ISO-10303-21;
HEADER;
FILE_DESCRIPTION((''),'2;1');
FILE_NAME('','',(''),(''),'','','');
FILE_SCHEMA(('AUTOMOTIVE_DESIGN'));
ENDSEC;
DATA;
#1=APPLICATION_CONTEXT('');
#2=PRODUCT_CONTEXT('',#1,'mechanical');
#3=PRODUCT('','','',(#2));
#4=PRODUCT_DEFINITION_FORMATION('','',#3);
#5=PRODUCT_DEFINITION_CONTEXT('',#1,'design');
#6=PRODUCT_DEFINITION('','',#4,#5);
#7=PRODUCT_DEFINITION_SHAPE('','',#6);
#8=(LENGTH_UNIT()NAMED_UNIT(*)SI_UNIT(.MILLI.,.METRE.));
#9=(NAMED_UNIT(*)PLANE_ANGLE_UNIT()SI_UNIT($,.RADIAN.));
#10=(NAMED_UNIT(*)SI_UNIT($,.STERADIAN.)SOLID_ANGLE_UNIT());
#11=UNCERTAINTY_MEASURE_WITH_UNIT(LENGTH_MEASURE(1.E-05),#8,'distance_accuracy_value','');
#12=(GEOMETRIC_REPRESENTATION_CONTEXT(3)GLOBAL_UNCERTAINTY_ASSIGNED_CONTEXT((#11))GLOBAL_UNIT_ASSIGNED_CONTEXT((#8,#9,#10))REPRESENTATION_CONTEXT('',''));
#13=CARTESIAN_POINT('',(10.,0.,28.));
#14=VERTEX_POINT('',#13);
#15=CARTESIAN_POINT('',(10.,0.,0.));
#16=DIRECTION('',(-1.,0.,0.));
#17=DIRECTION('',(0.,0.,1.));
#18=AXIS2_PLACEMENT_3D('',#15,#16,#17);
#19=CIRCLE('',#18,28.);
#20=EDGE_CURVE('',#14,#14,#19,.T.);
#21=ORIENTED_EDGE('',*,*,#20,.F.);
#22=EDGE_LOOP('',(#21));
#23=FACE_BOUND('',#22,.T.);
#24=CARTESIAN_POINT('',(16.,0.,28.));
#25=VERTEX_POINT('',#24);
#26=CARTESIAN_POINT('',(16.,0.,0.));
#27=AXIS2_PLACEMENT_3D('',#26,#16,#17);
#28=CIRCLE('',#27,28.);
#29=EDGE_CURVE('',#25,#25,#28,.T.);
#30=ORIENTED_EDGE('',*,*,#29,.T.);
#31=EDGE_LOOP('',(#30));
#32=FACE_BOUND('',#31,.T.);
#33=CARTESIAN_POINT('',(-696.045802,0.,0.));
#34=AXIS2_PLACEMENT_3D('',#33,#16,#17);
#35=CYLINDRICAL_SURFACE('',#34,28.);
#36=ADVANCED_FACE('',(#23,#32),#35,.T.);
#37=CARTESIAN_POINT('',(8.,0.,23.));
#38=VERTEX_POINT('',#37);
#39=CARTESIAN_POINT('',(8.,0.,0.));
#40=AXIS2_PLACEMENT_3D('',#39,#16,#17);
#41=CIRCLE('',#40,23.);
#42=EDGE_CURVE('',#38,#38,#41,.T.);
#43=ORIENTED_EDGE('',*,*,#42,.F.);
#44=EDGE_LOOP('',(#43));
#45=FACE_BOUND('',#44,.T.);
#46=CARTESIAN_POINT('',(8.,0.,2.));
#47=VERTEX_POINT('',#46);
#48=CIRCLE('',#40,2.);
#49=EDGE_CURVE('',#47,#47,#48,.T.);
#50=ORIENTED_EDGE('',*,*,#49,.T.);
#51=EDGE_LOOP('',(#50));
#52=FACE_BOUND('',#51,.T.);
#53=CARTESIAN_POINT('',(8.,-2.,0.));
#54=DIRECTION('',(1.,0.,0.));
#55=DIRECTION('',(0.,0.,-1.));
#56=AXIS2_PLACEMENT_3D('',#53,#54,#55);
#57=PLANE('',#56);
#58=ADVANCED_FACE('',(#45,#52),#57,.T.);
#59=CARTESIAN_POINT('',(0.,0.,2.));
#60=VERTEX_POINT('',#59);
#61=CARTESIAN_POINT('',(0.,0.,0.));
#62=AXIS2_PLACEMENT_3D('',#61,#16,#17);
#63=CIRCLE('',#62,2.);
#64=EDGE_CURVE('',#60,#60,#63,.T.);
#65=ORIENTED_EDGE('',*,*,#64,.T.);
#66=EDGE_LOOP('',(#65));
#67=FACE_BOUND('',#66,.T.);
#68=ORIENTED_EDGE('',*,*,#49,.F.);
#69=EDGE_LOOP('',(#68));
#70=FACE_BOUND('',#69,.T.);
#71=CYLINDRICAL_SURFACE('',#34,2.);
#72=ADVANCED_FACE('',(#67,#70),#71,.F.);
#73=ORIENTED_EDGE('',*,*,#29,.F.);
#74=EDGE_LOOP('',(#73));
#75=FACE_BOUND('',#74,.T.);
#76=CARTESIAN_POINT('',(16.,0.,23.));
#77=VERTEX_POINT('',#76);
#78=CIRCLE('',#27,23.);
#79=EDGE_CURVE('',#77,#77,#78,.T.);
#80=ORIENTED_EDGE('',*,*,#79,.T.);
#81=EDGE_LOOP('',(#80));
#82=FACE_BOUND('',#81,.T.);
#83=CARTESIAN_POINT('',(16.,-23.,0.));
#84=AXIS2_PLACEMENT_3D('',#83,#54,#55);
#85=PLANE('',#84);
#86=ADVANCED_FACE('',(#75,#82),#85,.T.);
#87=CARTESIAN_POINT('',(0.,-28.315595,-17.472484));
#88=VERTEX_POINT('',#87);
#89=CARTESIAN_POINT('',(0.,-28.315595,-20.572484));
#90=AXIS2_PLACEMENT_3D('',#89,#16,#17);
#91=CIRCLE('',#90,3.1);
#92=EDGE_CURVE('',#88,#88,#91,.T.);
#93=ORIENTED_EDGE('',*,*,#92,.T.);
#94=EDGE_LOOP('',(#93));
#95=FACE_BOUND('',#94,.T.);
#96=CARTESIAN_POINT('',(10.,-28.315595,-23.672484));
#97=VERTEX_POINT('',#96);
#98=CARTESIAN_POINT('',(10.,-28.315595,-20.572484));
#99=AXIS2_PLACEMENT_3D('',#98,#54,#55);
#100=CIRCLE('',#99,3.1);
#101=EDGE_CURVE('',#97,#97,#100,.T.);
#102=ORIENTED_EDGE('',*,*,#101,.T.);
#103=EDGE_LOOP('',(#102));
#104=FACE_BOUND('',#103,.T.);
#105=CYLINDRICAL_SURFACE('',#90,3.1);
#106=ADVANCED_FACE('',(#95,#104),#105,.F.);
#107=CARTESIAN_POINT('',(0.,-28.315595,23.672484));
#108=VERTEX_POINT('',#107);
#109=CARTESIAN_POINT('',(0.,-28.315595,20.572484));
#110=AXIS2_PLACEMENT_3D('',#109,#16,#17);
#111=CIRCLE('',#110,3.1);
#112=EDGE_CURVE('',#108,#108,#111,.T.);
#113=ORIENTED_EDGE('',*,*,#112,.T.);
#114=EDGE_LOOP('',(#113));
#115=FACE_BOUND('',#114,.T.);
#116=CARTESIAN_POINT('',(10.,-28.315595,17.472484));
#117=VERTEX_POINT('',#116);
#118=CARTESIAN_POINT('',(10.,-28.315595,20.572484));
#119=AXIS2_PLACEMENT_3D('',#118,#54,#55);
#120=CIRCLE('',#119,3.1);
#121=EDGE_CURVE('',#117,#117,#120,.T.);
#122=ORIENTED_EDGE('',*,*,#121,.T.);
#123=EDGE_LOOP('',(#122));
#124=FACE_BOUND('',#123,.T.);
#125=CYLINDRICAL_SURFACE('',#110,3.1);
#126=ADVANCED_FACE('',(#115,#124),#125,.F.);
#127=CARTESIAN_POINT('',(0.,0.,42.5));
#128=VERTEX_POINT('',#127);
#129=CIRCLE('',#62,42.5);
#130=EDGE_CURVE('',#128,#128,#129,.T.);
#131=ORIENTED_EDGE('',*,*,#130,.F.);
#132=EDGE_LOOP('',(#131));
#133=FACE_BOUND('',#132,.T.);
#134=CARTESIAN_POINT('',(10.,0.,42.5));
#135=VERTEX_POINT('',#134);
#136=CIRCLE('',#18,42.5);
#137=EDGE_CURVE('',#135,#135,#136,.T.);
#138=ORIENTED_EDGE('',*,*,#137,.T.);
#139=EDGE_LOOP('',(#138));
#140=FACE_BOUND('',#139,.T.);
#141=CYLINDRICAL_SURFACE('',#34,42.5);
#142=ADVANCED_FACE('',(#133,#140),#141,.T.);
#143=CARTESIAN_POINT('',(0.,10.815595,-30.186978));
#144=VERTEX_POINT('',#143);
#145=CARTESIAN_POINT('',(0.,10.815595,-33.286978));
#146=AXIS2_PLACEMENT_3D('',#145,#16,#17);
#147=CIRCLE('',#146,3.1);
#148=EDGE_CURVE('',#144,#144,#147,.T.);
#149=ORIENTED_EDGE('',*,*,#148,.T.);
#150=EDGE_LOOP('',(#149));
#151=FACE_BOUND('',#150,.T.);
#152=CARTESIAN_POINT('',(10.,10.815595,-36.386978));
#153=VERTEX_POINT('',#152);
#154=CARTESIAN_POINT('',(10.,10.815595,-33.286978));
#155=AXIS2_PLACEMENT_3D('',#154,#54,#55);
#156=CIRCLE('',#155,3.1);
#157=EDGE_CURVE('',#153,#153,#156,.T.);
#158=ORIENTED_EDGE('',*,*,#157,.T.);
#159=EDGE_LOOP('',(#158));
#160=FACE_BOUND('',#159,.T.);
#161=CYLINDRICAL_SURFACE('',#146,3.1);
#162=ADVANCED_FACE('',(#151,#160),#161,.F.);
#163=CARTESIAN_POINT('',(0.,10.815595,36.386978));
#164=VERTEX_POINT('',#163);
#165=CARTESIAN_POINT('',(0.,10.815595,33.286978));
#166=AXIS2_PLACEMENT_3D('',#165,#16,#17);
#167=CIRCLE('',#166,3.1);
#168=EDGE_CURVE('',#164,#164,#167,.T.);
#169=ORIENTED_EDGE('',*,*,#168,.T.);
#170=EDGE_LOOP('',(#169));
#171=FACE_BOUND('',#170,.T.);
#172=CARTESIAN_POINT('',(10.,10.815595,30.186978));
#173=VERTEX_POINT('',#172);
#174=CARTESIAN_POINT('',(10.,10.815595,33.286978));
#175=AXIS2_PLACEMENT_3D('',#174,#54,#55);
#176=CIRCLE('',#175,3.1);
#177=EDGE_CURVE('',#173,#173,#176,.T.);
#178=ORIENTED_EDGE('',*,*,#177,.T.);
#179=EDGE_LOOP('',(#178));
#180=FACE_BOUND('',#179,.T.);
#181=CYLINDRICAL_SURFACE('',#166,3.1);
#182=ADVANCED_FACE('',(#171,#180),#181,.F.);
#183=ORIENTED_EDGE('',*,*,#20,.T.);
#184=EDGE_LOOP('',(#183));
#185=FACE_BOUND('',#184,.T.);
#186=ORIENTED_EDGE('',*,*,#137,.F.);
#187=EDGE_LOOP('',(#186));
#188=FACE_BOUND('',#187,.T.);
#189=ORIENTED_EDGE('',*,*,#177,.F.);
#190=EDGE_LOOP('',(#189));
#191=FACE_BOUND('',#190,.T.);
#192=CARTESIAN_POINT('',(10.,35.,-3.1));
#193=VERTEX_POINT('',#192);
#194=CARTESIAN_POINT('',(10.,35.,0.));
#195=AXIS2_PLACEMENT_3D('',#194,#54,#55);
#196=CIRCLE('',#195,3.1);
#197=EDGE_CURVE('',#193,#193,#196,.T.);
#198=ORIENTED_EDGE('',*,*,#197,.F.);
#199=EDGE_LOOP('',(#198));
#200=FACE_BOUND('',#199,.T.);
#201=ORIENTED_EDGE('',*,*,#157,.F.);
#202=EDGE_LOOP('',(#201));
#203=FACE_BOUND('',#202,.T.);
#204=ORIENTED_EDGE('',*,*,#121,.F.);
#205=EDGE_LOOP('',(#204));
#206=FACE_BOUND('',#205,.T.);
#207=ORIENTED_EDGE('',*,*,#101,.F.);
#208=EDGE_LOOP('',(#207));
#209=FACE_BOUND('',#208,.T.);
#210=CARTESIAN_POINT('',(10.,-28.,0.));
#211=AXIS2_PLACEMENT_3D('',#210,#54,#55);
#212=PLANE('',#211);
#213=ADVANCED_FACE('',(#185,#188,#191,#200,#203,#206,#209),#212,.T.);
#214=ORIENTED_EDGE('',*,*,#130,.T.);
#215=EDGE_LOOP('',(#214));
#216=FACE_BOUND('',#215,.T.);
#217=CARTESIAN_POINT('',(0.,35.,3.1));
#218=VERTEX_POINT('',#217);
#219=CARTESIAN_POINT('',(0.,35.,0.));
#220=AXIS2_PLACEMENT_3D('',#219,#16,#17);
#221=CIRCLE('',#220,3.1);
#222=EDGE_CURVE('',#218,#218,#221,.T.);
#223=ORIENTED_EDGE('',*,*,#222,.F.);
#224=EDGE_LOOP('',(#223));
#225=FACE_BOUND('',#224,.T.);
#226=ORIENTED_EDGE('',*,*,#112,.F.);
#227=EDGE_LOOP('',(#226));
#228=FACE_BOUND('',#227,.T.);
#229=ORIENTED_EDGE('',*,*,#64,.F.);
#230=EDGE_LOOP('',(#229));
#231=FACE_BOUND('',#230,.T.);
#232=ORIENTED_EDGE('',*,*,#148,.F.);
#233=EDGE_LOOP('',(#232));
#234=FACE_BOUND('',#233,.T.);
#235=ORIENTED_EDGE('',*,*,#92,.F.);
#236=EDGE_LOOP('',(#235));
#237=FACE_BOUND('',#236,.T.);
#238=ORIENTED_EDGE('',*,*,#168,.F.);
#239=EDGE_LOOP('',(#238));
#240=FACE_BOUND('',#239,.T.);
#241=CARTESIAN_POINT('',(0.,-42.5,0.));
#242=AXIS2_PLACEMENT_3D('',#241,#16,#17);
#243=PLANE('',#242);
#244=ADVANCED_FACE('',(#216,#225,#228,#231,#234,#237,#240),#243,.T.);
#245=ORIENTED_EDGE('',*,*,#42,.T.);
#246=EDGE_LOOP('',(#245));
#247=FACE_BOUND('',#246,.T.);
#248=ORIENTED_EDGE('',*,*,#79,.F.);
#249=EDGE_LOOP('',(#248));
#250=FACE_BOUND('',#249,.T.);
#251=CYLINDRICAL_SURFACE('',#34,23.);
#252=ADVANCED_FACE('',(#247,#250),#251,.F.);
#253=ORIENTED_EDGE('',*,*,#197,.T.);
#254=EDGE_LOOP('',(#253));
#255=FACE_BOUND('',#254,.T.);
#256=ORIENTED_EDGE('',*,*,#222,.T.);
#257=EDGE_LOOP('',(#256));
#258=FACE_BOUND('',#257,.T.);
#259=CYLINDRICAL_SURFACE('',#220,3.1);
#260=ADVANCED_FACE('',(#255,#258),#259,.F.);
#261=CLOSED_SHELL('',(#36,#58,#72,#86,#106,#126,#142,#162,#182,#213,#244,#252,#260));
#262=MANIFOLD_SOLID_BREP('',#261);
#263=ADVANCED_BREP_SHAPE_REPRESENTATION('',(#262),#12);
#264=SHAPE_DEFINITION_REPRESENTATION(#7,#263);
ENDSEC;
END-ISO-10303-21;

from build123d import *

# Parameters (mm, degrees)
HOLE_WIZARD_6_0_6_1_D = 6.2


with BuildPart() as part:
    # Эскиз1 → Повернуть1 (revolve)
    with BuildSketch(Plane.XY, mode=Mode.PRIVATE) as revolve_1_sk:
        Polygon((0, -2), (8, -2), (8, -23), (16, -23), (16, -28), (10, -28), (10, -42.5), (0, -42.5), align=None)
    revolve(revolve_1_sk.sketch.rotate(Axis((-696.045801993, 0, 0), (1, 0, 0)), 270), axis=Axis((-696.045801993, 0, 0), (1, 0, 0)))

    # Диаметр отверстия Ø6.0 (6)1 (through all)
    with Locations(Plane(origin=(0, 10.815594803, -33.28697807), x_dir=(0, 0, -1), z_dir=(-1, 0, 0))):
        with Locations((0, 0), (-66.57395614, 0), (-33.28697807, -24.184405197), (-12.71449424, 39.131189606), (-53.8594619, 39.131189606)):
            Hole(HOLE_WIZARD_6_0_6_1_D / 2)


solid = part.part
